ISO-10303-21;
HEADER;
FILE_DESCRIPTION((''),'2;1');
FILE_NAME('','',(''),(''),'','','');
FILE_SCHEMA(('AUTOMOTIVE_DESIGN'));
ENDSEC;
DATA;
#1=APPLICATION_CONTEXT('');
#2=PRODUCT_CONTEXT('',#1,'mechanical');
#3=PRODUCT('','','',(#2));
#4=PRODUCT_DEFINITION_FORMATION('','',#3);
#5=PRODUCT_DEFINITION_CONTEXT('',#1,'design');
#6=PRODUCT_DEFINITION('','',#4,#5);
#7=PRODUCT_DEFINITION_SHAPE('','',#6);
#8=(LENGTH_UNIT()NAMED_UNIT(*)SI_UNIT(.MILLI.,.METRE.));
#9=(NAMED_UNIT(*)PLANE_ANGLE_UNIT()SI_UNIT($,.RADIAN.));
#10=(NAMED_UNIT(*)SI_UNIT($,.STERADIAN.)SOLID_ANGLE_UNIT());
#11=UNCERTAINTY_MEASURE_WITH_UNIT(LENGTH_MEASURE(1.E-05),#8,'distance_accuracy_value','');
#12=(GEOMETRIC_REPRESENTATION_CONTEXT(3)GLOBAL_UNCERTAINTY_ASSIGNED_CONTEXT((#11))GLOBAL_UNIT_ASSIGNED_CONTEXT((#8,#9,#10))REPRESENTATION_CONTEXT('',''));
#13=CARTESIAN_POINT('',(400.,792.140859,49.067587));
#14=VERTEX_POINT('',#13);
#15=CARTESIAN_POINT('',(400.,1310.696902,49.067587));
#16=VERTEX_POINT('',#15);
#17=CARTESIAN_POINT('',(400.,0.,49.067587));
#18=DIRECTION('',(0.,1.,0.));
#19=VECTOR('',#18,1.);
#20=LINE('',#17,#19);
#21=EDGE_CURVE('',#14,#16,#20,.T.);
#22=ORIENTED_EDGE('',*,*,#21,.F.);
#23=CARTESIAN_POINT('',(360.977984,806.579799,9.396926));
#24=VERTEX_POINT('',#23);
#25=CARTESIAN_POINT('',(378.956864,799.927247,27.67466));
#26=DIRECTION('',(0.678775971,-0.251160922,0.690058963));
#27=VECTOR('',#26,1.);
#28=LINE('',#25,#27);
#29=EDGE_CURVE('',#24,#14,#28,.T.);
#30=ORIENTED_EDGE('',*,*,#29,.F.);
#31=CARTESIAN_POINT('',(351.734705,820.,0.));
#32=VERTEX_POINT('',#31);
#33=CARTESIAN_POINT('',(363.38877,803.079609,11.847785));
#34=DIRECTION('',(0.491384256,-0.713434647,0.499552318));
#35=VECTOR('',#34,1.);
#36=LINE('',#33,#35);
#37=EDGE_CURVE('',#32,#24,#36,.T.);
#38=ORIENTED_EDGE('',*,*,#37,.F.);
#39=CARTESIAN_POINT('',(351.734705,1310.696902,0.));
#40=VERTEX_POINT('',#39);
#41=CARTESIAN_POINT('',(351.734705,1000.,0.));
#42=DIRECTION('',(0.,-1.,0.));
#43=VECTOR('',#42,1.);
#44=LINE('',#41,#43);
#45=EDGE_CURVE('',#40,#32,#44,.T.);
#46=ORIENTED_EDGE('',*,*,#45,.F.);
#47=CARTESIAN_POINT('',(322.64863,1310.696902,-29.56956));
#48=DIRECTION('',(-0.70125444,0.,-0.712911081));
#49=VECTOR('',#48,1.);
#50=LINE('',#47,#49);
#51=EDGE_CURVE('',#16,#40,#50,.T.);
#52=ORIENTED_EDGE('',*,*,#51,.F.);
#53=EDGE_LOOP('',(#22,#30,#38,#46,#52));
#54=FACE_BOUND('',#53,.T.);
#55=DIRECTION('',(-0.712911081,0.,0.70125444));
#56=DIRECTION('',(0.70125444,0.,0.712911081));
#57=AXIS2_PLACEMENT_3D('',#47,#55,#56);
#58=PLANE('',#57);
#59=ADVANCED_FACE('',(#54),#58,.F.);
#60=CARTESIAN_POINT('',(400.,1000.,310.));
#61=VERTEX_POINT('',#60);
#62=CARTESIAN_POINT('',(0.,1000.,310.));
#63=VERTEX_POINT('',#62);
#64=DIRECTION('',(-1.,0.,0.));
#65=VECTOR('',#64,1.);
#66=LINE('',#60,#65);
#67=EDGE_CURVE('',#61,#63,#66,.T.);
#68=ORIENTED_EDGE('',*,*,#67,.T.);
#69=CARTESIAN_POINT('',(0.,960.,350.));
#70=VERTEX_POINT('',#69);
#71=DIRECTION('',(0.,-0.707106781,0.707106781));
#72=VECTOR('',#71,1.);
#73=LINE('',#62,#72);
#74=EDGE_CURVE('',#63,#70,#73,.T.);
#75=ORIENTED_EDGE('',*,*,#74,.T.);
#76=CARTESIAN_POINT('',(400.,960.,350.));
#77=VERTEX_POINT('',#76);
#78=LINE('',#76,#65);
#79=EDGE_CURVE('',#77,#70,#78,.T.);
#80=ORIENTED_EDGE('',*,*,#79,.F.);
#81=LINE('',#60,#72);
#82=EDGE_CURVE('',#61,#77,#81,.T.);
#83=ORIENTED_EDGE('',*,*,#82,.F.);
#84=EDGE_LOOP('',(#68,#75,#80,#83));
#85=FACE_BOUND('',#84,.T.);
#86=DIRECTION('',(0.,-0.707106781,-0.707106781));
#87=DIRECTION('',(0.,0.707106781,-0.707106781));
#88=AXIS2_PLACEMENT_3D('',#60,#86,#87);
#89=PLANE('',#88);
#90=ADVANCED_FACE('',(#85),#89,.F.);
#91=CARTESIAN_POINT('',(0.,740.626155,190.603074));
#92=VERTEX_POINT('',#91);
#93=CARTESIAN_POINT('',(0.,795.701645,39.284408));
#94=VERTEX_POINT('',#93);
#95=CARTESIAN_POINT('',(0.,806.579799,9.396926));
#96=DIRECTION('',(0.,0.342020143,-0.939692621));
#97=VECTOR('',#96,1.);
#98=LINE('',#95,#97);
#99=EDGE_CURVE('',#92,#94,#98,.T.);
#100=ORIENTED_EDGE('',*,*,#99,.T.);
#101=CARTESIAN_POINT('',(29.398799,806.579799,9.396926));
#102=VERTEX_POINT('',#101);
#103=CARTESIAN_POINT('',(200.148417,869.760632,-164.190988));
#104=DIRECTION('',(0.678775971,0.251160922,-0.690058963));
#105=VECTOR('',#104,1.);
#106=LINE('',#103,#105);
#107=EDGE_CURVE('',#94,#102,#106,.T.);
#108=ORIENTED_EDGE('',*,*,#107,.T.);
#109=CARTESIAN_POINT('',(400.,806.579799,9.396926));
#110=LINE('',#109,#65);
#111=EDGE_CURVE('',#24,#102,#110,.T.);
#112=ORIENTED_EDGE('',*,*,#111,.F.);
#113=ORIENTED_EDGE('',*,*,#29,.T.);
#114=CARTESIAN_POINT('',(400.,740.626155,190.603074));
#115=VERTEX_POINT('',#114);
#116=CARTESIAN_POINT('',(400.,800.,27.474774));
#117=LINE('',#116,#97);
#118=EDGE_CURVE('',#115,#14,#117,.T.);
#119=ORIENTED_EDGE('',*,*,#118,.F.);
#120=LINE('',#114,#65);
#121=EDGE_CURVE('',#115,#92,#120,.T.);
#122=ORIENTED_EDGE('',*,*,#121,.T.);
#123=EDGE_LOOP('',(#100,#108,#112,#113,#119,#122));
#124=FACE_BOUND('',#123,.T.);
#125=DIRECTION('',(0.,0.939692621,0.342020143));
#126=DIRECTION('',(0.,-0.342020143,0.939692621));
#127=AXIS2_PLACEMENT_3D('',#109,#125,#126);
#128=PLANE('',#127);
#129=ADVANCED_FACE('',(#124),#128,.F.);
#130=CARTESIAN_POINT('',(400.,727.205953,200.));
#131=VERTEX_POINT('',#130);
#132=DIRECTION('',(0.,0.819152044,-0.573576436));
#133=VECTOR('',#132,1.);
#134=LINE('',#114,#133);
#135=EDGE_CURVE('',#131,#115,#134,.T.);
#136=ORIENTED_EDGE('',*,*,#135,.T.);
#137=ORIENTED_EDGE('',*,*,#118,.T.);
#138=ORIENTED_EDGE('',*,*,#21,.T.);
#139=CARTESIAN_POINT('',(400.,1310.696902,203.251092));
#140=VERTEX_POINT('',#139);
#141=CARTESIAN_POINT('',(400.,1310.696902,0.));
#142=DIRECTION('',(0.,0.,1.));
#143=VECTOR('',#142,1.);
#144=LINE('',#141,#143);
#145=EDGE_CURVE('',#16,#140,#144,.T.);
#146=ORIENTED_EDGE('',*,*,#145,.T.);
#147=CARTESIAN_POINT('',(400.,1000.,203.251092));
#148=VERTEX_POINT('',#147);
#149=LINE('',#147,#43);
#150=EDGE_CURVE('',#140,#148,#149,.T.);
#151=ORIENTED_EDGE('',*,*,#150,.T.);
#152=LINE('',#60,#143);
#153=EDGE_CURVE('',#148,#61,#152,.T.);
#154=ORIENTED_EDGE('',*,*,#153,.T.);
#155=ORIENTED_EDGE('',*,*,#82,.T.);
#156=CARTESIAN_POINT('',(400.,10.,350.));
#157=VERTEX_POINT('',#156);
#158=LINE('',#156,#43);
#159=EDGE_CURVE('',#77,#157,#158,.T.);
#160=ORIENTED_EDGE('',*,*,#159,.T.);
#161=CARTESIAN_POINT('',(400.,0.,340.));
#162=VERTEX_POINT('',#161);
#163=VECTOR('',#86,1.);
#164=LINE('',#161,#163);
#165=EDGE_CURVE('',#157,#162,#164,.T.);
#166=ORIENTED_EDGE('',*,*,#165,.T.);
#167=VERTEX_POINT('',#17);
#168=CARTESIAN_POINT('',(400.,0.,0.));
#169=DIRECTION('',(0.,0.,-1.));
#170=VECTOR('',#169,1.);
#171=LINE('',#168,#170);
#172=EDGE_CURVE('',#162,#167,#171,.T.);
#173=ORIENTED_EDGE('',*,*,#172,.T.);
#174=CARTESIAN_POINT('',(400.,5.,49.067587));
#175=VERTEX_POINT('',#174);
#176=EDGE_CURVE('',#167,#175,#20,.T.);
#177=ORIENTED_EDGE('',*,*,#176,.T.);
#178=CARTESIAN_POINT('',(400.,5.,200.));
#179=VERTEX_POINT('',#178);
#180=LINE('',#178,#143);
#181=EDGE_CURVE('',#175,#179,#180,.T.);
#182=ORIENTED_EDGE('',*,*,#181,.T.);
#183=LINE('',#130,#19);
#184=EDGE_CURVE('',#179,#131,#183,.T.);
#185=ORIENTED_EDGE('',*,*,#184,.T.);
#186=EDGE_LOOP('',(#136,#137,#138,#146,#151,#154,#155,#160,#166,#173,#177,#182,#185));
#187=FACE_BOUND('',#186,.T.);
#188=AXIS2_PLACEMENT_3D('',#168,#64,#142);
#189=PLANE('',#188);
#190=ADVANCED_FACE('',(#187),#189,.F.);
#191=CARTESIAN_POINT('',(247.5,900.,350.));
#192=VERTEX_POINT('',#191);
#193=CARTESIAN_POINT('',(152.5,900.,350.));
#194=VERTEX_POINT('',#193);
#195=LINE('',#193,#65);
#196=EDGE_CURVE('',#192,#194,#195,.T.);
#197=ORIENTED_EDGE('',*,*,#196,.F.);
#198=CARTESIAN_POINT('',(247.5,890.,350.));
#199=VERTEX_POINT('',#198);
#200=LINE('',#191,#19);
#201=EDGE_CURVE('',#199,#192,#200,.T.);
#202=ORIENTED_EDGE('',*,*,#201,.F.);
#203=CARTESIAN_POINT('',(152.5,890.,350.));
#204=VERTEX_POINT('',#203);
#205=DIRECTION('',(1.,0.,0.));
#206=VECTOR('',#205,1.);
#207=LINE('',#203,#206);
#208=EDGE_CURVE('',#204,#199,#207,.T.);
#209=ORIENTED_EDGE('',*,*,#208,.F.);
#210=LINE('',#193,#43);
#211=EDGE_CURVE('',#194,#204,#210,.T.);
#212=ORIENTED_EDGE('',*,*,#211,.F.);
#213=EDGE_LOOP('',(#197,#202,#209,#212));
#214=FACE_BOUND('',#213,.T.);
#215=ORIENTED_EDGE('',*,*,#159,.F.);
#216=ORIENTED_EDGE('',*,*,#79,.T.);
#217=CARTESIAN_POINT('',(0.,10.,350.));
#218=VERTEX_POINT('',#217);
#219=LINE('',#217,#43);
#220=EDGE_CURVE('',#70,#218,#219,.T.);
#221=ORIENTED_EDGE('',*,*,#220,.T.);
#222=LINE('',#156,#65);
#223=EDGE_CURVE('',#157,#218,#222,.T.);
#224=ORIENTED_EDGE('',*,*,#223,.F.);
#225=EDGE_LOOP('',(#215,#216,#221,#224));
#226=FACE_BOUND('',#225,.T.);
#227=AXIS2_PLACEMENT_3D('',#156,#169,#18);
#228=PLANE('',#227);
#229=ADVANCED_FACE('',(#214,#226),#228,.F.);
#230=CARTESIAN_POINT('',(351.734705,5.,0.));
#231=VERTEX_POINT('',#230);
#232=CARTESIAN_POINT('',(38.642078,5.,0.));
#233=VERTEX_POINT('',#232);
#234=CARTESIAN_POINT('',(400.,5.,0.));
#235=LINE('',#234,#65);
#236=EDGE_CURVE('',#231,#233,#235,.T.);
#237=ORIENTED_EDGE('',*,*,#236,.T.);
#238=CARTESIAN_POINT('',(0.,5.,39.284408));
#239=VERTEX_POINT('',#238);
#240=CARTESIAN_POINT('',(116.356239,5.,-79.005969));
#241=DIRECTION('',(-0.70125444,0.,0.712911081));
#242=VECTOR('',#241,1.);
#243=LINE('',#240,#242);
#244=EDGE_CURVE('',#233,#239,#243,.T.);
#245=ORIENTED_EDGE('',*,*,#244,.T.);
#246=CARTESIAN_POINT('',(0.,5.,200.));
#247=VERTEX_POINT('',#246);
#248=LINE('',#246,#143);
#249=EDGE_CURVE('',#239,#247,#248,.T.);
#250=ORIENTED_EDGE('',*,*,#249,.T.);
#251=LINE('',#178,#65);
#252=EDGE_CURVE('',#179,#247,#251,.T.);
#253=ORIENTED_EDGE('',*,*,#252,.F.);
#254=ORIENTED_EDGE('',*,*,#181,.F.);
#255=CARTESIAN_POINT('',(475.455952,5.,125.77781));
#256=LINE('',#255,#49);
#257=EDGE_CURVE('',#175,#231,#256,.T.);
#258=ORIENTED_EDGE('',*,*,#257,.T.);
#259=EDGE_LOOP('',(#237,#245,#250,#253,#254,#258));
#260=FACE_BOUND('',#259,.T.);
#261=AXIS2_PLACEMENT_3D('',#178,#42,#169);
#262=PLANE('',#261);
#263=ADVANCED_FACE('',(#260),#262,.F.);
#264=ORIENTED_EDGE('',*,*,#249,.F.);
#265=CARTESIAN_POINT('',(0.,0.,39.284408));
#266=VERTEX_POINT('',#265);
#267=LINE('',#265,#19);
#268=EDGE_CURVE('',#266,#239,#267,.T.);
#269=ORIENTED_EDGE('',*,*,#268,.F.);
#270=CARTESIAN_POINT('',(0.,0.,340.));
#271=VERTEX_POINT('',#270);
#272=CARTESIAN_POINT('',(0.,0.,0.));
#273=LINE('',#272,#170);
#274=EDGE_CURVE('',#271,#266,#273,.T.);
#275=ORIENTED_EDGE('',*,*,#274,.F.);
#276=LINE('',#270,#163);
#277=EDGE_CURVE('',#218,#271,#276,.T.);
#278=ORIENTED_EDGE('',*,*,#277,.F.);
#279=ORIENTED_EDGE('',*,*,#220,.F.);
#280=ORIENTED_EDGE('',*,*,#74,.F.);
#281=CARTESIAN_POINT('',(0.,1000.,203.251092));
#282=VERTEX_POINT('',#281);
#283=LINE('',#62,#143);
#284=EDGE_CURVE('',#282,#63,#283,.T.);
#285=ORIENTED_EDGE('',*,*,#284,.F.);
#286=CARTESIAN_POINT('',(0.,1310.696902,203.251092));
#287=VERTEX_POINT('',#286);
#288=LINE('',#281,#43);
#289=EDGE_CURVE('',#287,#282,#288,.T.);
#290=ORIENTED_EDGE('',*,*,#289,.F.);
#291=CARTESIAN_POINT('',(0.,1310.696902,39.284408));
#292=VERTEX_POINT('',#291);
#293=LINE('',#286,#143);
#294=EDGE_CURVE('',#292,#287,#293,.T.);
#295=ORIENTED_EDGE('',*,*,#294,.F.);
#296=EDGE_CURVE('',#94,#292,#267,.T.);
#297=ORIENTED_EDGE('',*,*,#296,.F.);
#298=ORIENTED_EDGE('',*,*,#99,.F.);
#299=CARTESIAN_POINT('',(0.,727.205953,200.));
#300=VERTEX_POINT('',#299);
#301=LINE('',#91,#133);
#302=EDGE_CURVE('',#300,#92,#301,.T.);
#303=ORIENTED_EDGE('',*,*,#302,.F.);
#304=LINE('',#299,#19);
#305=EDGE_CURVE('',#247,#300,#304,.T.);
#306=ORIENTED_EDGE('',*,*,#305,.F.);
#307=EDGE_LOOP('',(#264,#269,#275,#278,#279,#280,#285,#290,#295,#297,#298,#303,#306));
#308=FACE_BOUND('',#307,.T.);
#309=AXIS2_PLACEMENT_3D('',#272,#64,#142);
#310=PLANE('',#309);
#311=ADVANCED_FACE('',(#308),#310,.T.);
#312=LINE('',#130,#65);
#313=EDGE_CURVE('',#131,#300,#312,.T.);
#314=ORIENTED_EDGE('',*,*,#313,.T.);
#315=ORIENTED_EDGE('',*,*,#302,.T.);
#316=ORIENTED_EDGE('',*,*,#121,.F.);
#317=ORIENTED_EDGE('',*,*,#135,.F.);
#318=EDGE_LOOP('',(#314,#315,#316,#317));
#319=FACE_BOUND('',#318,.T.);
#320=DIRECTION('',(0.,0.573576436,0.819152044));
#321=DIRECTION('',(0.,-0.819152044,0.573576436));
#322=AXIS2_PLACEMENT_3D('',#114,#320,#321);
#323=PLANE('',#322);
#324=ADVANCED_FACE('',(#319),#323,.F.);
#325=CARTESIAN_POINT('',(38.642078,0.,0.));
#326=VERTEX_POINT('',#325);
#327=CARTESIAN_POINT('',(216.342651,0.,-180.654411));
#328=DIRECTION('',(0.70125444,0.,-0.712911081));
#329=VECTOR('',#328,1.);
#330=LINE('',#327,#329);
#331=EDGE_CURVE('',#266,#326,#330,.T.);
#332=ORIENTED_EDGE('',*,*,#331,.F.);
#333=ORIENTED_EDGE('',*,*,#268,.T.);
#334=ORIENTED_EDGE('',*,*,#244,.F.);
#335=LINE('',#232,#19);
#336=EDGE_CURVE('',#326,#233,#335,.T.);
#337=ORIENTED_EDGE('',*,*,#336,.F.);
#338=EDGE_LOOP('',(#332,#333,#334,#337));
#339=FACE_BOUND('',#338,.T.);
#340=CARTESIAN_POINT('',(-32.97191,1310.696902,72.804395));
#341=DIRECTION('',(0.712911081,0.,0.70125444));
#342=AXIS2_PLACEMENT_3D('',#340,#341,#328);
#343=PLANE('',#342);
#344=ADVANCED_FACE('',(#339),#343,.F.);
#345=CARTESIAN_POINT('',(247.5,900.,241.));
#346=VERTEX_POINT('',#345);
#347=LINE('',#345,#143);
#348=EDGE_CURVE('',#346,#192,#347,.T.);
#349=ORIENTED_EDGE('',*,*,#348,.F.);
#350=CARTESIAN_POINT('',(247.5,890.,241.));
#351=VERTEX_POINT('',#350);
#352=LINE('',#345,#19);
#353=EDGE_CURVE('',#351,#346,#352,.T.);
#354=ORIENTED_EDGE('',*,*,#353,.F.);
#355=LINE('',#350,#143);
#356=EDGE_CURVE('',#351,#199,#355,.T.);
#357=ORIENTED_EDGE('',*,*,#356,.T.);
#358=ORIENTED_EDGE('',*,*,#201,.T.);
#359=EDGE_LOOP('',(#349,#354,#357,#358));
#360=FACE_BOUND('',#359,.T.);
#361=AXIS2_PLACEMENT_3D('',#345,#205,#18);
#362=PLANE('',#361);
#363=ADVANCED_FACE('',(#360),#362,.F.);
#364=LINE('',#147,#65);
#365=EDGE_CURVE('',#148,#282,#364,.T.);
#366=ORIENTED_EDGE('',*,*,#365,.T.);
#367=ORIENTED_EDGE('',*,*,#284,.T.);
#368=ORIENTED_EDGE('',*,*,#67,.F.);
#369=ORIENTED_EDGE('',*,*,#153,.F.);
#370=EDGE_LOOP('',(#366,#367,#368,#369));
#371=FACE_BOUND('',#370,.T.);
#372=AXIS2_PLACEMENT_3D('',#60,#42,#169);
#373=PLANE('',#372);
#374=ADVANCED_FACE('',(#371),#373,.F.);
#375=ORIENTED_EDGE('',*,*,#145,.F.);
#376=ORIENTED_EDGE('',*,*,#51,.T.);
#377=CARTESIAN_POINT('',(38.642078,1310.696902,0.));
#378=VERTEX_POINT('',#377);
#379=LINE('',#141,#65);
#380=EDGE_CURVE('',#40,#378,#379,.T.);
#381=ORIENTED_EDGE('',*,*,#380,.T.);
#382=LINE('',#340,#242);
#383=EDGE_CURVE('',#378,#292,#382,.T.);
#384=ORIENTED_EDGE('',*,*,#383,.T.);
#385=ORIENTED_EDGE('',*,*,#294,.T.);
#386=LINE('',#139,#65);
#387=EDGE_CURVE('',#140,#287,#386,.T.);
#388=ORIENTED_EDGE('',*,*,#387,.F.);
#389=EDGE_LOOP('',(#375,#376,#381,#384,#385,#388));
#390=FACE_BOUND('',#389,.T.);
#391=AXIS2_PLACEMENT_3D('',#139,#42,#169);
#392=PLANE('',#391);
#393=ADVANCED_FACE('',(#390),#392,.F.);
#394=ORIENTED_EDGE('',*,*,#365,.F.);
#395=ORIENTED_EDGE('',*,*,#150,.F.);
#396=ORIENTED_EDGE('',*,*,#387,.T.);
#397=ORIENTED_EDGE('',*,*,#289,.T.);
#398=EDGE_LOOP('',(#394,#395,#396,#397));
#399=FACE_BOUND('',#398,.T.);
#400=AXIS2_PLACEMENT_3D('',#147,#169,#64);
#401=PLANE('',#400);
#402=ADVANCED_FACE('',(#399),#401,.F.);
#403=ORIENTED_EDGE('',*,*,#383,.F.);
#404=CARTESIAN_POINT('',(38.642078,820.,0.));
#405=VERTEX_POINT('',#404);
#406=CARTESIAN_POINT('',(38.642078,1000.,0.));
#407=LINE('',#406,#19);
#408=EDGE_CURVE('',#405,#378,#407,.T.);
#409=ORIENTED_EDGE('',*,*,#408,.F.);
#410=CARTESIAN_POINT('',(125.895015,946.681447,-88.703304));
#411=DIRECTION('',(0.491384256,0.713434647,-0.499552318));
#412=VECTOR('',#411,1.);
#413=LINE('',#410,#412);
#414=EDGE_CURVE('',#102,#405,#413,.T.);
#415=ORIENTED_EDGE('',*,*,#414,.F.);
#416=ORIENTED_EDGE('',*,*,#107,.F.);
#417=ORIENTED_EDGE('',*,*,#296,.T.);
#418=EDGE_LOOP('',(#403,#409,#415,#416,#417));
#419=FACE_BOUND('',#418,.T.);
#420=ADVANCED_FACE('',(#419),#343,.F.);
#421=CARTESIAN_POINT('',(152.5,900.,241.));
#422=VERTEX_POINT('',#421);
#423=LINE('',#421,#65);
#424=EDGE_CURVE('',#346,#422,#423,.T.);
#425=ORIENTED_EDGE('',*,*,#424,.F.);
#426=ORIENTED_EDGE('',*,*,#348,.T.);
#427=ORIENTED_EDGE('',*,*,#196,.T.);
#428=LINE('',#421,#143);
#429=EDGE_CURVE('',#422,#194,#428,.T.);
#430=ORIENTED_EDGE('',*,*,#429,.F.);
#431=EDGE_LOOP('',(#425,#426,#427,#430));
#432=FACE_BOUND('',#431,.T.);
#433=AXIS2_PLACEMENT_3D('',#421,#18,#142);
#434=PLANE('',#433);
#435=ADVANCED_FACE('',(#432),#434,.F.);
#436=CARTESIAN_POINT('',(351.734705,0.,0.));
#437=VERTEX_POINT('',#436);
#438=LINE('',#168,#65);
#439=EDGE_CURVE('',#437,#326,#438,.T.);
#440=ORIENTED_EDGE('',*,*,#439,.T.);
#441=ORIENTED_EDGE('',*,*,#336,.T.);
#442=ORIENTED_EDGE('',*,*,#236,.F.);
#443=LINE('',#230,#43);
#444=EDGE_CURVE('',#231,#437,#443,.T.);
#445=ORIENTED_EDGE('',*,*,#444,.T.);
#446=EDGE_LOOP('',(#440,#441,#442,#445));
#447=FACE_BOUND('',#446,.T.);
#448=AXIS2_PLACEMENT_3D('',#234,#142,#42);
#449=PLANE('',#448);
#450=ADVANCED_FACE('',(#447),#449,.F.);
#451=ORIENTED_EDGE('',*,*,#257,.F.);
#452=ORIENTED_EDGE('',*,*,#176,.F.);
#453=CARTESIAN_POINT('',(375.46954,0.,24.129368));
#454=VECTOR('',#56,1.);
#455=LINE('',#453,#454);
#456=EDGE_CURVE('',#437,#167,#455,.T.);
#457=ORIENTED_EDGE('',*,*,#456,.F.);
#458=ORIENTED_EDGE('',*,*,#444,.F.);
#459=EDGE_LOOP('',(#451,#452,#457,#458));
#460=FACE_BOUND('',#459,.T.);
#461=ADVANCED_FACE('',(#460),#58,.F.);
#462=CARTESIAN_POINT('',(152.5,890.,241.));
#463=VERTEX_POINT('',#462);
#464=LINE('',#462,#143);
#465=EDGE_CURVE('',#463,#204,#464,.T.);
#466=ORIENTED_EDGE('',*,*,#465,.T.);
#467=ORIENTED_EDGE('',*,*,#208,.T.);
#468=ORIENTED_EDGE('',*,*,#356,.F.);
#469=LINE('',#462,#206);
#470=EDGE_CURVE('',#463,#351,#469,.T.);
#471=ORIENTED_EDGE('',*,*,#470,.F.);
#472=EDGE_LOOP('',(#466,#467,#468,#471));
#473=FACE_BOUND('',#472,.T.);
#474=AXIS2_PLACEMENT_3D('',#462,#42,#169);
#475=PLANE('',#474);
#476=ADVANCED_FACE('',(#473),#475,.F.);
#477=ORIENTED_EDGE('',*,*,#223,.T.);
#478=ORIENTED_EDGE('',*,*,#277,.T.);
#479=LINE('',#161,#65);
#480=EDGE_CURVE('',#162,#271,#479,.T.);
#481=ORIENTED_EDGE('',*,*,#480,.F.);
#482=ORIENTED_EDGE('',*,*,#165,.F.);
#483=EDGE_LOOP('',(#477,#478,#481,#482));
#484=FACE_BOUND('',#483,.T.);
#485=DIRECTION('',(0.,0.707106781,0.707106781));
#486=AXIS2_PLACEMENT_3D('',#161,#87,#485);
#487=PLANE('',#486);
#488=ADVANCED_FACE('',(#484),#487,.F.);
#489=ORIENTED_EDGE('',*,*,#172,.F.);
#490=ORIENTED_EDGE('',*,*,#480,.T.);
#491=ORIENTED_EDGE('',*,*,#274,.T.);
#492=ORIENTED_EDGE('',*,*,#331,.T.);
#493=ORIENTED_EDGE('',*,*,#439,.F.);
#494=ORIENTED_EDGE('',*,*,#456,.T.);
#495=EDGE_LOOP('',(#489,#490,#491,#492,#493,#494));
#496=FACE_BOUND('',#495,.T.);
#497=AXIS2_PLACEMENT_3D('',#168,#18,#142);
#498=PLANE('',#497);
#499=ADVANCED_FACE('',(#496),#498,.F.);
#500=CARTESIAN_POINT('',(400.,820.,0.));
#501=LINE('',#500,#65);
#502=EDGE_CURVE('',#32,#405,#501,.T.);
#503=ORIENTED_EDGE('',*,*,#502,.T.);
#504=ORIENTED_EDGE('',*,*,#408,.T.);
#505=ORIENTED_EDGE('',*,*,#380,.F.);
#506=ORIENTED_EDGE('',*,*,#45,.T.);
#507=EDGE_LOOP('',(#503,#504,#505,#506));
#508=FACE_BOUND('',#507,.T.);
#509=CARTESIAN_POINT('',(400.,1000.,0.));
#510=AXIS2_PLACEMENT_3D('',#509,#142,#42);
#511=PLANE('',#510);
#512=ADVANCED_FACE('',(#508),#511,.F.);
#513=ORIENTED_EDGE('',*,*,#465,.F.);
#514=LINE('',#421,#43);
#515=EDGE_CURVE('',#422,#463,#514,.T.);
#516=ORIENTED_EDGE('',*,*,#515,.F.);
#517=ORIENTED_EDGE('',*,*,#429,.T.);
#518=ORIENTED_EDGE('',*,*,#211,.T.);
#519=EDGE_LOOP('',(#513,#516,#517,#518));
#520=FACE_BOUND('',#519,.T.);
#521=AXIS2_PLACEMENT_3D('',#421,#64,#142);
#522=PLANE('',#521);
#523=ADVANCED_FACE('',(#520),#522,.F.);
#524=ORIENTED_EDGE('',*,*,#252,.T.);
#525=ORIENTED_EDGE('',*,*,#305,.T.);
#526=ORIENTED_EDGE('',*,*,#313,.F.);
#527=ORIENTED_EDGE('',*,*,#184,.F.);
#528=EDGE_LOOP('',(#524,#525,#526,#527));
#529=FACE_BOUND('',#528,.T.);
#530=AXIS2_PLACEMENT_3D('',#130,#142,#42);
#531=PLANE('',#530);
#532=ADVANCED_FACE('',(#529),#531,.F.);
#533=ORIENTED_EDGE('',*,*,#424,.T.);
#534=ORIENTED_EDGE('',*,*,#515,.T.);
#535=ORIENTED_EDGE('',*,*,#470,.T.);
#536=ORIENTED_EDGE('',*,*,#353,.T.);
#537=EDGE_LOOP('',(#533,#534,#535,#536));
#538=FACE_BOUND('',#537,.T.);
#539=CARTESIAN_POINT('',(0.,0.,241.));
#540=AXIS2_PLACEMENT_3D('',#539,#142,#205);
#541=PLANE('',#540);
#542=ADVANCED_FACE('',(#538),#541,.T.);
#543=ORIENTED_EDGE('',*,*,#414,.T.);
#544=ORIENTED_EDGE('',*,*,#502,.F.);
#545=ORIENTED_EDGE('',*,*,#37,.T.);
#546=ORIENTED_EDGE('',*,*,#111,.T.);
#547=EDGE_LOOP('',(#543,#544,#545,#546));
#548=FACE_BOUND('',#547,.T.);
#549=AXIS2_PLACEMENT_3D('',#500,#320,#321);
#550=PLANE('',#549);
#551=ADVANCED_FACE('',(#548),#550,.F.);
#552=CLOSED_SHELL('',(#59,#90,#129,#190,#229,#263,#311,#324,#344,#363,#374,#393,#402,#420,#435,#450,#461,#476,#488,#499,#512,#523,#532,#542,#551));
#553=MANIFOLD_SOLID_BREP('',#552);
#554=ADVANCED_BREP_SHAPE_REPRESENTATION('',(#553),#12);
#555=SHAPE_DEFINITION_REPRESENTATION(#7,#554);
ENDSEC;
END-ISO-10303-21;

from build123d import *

# Parameters (mm, degrees)
BOSS_EXTRUDE1_DEPTH     = 400
CUT_EXTRUDE2_DEPTH      = 1
CUT_EXTRUDE2_DEPTH_BACK = 1311.69690242
SKETCH4_W               = 95
SKETCH4_H               = 10
CUT_EXTRUDE3_DEPTH      = 109


with BuildPart() as part:
    # Sketch1 → Boss-Extrude1 (new body)
    with BuildSketch(Plane(origin=(0, 0, 0), x_dir=(0, 0, -1), z_dir=(1, 0, 0))):
        Polygon((0, 0), (-340, 0), (-350, 10), (-350, 960), (-310, 1000), (-203.251091608, 1000), (-203.251091608, 1310.69690242), (-108.48888922, 1310.69690242), (0, 1310.69690242), (0, 1000), (0, 970), (0, 820), (-9.396926208, 806.579798567), (-27.474774195, 800), (-190.603073792, 740.62615458), (-200, 727.205953147), (-200, 5), (0, 5), align=None)
    extrude(amount=BOSS_EXTRUDE1_DEPTH)

    # Sketch3 → Cut-Extrude2 (cut, two sides)
    with BuildSketch(Plane(origin=(0, 0, 0), x_dir=(-1, 0, 0), z_dir=(0, -1, 0))) as cut_extrude2_sk:
        Polygon((32.971910004, -72.804395349), (-67.728153305, 29.569560354), (-322.648629759, 29.569560354), (-423.348693067, -72.804395349), (-423.348693067, 100.069531779), (32.971910004, 100.069531779), align=None)
    extrude(amount=CUT_EXTRUDE2_DEPTH, mode=Mode.SUBTRACT)
    extrude(cut_extrude2_sk.sketch, amount=-CUT_EXTRUDE2_DEPTH_BACK, mode=Mode.SUBTRACT)

    # Sketch4 → Cut-Extrude3 (cut)
    with BuildSketch(Plane.XY.offset(350)):
        with Locations((200, 895)):
            Rectangle(SKETCH4_W, SKETCH4_H)
    extrude(amount=-CUT_EXTRUDE3_DEPTH, mode=Mode.SUBTRACT)


solid = part.part
